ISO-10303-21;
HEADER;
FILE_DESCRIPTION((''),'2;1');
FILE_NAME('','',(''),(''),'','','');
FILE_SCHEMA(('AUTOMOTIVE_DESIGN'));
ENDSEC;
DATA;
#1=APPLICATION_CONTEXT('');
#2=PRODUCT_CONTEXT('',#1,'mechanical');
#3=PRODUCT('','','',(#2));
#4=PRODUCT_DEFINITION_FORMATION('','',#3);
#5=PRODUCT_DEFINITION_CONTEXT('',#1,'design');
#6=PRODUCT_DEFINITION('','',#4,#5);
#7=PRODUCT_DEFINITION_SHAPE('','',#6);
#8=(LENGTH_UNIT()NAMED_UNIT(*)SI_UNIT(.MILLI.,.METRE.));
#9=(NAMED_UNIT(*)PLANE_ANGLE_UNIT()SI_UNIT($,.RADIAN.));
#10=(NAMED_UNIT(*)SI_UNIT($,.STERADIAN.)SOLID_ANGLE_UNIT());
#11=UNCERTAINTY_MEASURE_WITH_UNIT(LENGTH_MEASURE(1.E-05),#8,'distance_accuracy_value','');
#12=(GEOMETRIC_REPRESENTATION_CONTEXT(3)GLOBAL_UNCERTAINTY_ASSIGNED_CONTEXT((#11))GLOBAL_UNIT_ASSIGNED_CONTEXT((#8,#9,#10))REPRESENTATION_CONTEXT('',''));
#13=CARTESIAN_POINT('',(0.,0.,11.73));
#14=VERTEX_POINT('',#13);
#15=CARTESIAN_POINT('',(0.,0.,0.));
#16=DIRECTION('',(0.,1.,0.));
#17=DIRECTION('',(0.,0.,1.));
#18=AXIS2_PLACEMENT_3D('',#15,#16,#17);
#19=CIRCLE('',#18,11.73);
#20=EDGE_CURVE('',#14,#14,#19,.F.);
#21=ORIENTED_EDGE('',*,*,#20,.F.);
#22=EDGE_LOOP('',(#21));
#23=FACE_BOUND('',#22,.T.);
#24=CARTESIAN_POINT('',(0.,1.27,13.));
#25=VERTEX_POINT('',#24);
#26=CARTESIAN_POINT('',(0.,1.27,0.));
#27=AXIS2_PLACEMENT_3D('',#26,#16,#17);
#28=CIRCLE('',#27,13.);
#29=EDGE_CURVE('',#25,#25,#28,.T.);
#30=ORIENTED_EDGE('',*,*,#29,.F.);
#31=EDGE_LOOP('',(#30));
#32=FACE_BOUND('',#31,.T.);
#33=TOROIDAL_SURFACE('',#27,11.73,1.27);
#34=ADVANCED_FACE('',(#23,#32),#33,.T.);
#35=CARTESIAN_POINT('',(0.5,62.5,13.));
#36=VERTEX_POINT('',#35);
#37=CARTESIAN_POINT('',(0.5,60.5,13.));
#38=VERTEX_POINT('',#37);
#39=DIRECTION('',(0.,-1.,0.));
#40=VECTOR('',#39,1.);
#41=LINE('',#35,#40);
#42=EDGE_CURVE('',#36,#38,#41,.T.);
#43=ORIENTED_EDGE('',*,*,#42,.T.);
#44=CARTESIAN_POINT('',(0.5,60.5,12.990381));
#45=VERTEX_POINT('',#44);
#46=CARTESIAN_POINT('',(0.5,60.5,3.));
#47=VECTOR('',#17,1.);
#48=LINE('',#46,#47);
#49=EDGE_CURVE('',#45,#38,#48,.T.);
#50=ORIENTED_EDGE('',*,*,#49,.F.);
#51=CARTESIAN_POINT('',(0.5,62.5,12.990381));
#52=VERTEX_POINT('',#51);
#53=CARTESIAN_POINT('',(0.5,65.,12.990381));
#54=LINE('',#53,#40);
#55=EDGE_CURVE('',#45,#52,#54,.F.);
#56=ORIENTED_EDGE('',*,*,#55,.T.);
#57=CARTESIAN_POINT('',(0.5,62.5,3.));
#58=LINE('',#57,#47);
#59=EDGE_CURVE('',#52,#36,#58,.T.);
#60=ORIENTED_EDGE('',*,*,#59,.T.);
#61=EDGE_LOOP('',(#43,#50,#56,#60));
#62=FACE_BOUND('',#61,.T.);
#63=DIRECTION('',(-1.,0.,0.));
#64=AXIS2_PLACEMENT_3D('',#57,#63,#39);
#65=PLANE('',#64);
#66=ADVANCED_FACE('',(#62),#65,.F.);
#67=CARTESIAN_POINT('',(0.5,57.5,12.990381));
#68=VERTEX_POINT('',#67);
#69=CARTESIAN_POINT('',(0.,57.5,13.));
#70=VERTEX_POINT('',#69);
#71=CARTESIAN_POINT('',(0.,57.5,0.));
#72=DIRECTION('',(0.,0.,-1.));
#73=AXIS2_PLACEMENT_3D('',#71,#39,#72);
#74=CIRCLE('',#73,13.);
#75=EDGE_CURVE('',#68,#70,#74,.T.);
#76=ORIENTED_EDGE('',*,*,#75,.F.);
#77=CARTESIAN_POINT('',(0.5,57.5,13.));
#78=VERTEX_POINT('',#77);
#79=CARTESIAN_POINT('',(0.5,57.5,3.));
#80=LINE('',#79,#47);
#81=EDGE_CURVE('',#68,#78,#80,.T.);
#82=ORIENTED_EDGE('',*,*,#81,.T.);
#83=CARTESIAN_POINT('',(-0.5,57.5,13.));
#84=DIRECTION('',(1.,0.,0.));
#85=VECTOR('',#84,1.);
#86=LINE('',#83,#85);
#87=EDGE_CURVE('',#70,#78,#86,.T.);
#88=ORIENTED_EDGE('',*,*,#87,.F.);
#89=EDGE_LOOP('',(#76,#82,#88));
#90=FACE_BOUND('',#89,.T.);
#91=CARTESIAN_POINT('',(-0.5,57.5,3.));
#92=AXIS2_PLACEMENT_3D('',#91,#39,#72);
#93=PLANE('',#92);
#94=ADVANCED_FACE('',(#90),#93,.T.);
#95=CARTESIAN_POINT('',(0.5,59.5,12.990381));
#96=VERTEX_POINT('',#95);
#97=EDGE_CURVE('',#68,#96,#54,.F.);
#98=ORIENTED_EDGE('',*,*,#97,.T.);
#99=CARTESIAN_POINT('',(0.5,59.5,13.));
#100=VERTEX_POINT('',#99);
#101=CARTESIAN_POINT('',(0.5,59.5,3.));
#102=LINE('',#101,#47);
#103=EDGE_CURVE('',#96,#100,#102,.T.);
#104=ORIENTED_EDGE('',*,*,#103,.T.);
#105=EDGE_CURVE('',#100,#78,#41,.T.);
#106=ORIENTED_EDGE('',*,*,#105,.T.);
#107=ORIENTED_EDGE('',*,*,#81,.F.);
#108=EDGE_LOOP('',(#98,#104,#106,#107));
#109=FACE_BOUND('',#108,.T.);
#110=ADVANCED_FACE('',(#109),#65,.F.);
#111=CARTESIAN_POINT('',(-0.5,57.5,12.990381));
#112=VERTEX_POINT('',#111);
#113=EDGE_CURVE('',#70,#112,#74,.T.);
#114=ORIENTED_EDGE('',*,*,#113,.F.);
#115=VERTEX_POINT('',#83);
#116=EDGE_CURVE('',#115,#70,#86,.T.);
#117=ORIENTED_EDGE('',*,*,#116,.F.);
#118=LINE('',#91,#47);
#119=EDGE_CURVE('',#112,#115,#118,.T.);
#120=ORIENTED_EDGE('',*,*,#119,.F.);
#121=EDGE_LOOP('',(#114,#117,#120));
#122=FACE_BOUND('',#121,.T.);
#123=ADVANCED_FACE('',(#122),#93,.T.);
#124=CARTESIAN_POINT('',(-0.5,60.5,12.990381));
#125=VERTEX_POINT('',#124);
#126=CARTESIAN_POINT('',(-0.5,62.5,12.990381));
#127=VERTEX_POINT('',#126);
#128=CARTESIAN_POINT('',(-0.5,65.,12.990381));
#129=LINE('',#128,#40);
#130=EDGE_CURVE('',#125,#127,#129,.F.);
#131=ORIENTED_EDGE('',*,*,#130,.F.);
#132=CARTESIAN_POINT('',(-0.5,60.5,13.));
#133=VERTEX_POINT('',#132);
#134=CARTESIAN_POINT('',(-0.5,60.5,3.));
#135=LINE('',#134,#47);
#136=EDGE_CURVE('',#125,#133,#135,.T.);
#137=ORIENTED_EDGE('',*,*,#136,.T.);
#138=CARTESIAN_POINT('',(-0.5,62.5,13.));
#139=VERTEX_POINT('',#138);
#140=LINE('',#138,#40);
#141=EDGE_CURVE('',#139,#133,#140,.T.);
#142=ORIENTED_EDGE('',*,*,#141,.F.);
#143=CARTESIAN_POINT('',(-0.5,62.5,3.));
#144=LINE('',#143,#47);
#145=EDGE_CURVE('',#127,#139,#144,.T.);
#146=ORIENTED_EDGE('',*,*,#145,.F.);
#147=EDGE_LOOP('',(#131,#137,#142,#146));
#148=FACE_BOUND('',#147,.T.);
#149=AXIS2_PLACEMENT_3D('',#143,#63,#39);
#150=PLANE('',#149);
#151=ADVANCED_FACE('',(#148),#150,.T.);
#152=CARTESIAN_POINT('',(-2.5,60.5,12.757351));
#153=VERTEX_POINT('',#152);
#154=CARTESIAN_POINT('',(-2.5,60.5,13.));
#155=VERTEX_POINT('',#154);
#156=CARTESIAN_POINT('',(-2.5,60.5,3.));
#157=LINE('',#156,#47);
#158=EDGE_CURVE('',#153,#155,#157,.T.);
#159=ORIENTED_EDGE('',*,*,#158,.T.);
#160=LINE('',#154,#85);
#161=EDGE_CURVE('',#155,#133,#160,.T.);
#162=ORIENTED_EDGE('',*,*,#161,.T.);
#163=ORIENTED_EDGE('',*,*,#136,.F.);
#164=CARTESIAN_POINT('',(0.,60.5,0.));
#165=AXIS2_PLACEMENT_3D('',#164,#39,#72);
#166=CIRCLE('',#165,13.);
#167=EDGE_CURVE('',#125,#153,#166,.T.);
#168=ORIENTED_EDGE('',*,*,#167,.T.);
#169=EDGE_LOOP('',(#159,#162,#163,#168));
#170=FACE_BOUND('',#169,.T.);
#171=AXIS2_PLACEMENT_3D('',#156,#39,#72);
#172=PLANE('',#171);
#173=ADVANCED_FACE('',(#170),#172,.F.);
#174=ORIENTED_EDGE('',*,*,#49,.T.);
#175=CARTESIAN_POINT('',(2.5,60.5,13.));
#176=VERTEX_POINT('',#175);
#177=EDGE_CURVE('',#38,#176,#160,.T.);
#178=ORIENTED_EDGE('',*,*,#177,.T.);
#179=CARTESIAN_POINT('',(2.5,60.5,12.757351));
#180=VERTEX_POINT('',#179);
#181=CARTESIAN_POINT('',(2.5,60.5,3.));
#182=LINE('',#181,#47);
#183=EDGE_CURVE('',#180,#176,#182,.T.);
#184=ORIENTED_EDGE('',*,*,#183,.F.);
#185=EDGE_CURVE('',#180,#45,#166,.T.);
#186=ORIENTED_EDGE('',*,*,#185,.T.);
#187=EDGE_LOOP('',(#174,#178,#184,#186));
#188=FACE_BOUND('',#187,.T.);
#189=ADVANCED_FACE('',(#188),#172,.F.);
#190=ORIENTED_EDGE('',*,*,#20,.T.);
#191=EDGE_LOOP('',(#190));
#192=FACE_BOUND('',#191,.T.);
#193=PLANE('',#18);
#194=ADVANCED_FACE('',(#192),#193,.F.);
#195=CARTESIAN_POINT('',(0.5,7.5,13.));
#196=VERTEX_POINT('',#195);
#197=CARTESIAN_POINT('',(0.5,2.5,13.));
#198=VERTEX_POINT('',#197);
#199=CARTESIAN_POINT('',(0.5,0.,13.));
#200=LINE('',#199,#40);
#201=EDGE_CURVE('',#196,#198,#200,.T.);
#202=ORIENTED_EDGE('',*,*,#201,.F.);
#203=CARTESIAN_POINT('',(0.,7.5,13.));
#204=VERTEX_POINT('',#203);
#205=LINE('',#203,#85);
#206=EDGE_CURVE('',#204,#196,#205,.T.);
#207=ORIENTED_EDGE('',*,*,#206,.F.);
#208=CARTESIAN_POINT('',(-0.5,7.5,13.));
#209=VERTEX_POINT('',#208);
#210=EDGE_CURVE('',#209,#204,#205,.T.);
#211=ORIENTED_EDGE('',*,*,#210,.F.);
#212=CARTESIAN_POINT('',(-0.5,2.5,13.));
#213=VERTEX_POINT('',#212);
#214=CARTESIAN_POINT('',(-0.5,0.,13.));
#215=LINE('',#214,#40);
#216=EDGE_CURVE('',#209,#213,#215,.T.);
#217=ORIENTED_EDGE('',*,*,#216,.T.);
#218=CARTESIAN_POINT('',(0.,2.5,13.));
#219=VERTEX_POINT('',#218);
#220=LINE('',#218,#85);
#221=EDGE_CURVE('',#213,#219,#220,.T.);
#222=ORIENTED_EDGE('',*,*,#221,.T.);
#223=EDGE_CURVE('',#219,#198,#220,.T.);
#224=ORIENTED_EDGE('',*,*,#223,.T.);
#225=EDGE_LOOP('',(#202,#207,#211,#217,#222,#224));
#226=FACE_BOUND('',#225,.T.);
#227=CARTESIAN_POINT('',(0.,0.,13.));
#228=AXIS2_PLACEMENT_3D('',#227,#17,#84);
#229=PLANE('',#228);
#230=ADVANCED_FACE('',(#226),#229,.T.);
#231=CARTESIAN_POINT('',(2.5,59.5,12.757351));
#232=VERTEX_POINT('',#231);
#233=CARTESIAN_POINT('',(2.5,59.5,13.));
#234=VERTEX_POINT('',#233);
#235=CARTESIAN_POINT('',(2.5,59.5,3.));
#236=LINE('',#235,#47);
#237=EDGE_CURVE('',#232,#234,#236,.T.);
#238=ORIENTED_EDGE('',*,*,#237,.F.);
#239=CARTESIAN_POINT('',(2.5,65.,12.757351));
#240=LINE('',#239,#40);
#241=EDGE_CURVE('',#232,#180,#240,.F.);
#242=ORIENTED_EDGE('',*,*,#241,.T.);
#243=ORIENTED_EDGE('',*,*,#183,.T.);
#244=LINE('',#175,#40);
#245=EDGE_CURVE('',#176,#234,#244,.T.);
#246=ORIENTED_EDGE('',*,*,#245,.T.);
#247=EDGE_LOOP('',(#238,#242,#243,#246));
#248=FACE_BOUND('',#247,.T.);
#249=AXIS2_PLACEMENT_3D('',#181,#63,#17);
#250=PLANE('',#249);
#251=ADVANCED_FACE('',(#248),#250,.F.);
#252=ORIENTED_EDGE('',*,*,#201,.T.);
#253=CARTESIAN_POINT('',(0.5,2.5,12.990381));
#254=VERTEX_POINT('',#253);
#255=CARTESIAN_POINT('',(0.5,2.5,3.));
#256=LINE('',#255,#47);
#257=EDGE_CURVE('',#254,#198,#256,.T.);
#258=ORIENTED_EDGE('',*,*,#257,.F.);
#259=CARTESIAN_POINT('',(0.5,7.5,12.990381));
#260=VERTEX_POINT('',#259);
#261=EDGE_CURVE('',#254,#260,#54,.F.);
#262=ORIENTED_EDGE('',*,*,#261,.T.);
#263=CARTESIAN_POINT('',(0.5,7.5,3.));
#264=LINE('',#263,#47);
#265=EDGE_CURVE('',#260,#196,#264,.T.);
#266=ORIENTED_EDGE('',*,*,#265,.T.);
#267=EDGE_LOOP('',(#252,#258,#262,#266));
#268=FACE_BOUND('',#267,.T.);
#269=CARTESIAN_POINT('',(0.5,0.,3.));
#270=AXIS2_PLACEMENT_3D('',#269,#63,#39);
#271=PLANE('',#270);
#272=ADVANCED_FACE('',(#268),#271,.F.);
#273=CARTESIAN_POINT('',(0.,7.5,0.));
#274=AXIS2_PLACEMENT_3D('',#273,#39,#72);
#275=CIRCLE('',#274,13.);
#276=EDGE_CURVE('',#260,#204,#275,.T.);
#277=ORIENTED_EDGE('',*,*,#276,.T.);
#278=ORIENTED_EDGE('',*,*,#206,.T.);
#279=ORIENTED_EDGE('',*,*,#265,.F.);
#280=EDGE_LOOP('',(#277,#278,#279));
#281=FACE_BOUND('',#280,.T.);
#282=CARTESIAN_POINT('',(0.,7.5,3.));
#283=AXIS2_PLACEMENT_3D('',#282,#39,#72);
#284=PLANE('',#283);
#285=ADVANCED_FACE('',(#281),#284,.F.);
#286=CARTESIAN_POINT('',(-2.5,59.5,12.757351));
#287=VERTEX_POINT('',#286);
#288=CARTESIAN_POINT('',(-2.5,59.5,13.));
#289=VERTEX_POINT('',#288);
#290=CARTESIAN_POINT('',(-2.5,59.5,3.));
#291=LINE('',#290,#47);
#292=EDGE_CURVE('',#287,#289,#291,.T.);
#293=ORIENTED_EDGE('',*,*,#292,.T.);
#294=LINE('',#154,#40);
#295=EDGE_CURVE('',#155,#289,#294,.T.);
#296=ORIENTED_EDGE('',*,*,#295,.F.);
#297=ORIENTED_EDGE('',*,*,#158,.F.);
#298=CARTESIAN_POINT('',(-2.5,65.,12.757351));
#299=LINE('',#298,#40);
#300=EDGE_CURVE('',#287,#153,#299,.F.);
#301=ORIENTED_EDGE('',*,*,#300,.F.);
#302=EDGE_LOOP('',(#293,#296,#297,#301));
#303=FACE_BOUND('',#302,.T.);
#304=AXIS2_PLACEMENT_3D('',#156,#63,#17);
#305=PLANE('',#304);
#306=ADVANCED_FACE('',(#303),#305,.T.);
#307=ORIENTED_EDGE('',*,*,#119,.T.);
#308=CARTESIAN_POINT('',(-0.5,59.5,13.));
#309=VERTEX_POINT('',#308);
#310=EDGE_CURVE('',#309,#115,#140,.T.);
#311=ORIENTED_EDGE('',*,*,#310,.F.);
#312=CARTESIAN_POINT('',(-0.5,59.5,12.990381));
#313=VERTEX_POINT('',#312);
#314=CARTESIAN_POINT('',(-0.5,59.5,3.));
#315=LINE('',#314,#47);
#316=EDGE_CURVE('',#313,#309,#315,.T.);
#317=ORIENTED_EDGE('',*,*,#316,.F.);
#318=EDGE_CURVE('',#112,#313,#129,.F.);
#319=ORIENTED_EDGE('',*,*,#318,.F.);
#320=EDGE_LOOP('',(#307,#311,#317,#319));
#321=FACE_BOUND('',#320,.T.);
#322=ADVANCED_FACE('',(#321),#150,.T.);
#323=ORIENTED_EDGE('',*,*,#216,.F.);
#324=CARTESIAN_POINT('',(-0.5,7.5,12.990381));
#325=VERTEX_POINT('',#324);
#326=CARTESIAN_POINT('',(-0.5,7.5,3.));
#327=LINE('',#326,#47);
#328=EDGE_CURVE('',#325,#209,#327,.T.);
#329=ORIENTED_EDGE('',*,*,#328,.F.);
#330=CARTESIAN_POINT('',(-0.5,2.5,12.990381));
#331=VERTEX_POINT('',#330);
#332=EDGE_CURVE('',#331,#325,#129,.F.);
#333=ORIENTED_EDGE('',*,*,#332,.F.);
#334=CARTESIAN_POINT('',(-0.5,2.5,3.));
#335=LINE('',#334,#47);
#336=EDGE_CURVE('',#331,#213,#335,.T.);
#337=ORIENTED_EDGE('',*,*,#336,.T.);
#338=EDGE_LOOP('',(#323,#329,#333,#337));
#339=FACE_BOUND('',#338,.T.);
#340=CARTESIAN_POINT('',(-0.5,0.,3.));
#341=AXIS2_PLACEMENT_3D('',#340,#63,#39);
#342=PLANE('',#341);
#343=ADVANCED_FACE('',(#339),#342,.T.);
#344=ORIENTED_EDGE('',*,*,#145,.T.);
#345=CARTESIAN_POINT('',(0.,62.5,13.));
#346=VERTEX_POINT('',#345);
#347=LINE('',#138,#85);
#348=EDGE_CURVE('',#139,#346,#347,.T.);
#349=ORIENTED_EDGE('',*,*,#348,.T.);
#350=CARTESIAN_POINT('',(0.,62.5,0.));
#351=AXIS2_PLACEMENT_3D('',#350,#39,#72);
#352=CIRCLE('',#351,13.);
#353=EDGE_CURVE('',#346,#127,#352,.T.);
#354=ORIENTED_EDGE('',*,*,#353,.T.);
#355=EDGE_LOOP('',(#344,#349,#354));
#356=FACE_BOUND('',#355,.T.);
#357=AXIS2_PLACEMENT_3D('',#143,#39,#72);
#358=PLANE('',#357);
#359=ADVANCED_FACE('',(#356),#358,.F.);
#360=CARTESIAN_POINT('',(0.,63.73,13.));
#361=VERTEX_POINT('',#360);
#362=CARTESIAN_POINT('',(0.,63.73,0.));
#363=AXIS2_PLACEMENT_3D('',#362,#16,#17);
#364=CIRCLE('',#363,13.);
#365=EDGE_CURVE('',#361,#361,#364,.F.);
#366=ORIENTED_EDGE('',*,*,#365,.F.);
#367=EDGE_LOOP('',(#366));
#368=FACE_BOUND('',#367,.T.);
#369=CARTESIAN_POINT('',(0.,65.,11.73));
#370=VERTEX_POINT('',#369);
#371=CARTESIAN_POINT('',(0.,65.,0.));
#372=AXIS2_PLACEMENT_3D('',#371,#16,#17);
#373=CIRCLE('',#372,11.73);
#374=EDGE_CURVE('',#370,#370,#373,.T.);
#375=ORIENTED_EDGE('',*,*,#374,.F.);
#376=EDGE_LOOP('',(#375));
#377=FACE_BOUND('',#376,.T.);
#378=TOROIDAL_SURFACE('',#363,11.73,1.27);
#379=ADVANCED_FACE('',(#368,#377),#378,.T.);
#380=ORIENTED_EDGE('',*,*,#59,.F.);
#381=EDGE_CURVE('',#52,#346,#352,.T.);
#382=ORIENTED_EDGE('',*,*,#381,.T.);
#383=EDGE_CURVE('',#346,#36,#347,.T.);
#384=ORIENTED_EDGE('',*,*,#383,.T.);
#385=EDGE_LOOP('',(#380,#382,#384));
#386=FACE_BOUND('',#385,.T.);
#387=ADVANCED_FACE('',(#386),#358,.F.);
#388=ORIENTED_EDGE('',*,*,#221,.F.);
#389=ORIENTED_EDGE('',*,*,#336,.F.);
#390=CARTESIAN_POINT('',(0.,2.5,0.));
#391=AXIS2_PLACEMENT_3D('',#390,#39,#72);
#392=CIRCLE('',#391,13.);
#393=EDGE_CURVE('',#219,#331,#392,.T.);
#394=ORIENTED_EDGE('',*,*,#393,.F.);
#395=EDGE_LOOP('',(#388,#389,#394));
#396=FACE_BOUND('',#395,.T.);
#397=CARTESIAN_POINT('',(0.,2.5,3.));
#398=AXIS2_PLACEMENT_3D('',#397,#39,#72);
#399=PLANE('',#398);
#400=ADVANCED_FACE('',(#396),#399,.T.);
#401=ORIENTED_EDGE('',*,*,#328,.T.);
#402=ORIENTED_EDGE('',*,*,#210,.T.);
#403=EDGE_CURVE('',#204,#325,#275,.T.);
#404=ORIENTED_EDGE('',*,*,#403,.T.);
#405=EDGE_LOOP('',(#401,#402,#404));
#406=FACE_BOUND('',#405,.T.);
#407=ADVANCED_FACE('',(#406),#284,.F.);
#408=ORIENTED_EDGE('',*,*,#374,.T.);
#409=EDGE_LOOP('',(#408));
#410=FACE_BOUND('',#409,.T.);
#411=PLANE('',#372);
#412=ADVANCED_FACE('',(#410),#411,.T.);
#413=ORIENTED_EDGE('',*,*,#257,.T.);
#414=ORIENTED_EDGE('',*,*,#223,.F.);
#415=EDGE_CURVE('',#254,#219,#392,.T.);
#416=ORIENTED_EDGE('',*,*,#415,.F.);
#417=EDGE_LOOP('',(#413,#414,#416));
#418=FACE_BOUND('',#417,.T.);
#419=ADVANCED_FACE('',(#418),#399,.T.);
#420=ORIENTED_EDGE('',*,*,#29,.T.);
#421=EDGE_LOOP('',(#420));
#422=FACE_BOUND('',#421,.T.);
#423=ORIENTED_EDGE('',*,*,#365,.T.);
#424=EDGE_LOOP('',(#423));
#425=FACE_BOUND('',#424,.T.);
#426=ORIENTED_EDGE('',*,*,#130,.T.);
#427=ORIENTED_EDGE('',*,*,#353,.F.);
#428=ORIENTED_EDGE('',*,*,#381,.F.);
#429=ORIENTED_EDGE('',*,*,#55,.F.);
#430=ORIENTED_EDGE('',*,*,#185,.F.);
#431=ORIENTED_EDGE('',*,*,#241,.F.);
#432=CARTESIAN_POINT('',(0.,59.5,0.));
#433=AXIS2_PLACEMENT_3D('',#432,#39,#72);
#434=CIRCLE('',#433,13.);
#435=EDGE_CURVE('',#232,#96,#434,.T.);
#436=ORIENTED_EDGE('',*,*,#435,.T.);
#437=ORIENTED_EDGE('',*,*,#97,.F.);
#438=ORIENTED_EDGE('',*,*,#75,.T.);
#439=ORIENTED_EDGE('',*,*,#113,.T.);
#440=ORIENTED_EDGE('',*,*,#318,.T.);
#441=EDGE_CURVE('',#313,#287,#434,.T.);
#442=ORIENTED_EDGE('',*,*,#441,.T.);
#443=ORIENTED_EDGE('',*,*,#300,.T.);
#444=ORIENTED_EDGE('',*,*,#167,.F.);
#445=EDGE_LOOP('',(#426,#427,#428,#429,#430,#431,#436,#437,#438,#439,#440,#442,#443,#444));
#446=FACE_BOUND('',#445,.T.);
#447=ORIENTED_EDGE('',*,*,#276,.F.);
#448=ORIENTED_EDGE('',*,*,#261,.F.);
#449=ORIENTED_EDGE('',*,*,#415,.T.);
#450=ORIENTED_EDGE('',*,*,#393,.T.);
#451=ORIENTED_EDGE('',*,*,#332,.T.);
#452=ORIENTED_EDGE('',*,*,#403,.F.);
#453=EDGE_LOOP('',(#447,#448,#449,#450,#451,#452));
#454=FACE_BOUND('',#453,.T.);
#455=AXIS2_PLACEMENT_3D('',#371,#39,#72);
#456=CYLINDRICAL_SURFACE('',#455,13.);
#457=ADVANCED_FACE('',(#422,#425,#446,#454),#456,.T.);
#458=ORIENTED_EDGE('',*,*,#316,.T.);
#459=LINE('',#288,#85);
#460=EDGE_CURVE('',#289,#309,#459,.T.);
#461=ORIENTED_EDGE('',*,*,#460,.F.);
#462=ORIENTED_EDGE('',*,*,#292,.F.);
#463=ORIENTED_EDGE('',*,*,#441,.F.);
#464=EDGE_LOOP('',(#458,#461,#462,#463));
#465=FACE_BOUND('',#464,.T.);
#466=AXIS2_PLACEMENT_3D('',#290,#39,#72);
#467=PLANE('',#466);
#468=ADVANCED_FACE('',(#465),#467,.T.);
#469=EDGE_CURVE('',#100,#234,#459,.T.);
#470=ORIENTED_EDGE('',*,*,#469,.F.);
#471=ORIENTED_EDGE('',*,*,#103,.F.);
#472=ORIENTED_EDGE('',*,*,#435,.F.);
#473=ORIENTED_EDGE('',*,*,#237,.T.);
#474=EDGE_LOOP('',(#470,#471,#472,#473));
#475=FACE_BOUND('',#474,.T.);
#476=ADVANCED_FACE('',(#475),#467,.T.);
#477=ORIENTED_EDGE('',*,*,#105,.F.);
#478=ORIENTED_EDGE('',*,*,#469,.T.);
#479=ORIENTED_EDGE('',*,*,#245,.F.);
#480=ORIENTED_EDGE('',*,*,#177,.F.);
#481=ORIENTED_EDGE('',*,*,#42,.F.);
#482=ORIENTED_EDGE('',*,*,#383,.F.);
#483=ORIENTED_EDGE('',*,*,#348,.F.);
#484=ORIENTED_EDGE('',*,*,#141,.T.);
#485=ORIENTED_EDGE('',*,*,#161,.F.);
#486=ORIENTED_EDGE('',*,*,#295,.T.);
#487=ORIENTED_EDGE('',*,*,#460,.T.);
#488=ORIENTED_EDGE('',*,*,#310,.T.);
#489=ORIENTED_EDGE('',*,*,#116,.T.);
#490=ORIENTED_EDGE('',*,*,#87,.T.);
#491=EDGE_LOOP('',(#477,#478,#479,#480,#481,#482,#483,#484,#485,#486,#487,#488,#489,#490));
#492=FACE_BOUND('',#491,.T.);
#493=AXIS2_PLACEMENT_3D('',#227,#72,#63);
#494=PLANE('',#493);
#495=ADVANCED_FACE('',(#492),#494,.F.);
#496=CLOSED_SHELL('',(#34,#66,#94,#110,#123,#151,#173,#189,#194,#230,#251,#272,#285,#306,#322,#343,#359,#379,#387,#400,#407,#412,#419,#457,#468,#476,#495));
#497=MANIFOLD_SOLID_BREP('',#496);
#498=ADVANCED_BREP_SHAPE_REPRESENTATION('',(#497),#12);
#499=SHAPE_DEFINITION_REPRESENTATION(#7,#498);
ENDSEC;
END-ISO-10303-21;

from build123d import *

# Parameters (mm, degrees)
SKETCH1_R           = 13
BOSS_EXTRUDE1_DEPTH = 65
FILLET1_R           = 1.27
FILLET2_R           = 1.27
SKETCH2_W           = 0.5
SKETCH2_H           = 5
SKETCH2_W_2         = 1
SKETCH2_W_3         = 5
SKETCH2_H_2         = 1
BOSS_EXTRUDE2_DEPTH = 10


with BuildPart() as part:
    # Sketch1 → Boss-Extrude1 (new body)
    with BuildSketch(Plane(origin=(0, 0, 0), x_dir=(1, 0, 0), z_dir=(0, 1, 0))):
        with Locations(Location((0, 0, 0), (0, 0, 270))):
            Circle(SKETCH1_R)
    extrude(amount=BOSS_EXTRUDE1_DEPTH)

    # Fillet1
    fillet1_edges = [part.edges().sort_by_distance(p)[0] for p in [
        (0, 65, -13),
    ]]
    fillet(fillet1_edges, radius=FILLET1_R)

    # Fillet2
    fillet2_edges = [part.edges().sort_by_distance(p)[0] for p in [
        (0, 0, -13),
    ]]
    fillet(fillet2_edges, radius=FILLET2_R)

    # Sketch2 → Boss-Extrude2 (add)
    with BuildSketch(Plane.XY.offset(13)):
        with Locations((-0.25, 5)):
            Rectangle(SKETCH2_W, SKETCH2_H)
        with Locations((0.25, 5)):
            Rectangle(SKETCH2_W, SKETCH2_H)
        with Locations((0, 60)):
            Rectangle(SKETCH2_W_2, SKETCH2_H)
        with Locations((0, 60)):
            Rectangle(SKETCH2_W_3, SKETCH2_H_2)
    extrude(amount=-BOSS_EXTRUDE2_DEPTH)


solid = part.part
